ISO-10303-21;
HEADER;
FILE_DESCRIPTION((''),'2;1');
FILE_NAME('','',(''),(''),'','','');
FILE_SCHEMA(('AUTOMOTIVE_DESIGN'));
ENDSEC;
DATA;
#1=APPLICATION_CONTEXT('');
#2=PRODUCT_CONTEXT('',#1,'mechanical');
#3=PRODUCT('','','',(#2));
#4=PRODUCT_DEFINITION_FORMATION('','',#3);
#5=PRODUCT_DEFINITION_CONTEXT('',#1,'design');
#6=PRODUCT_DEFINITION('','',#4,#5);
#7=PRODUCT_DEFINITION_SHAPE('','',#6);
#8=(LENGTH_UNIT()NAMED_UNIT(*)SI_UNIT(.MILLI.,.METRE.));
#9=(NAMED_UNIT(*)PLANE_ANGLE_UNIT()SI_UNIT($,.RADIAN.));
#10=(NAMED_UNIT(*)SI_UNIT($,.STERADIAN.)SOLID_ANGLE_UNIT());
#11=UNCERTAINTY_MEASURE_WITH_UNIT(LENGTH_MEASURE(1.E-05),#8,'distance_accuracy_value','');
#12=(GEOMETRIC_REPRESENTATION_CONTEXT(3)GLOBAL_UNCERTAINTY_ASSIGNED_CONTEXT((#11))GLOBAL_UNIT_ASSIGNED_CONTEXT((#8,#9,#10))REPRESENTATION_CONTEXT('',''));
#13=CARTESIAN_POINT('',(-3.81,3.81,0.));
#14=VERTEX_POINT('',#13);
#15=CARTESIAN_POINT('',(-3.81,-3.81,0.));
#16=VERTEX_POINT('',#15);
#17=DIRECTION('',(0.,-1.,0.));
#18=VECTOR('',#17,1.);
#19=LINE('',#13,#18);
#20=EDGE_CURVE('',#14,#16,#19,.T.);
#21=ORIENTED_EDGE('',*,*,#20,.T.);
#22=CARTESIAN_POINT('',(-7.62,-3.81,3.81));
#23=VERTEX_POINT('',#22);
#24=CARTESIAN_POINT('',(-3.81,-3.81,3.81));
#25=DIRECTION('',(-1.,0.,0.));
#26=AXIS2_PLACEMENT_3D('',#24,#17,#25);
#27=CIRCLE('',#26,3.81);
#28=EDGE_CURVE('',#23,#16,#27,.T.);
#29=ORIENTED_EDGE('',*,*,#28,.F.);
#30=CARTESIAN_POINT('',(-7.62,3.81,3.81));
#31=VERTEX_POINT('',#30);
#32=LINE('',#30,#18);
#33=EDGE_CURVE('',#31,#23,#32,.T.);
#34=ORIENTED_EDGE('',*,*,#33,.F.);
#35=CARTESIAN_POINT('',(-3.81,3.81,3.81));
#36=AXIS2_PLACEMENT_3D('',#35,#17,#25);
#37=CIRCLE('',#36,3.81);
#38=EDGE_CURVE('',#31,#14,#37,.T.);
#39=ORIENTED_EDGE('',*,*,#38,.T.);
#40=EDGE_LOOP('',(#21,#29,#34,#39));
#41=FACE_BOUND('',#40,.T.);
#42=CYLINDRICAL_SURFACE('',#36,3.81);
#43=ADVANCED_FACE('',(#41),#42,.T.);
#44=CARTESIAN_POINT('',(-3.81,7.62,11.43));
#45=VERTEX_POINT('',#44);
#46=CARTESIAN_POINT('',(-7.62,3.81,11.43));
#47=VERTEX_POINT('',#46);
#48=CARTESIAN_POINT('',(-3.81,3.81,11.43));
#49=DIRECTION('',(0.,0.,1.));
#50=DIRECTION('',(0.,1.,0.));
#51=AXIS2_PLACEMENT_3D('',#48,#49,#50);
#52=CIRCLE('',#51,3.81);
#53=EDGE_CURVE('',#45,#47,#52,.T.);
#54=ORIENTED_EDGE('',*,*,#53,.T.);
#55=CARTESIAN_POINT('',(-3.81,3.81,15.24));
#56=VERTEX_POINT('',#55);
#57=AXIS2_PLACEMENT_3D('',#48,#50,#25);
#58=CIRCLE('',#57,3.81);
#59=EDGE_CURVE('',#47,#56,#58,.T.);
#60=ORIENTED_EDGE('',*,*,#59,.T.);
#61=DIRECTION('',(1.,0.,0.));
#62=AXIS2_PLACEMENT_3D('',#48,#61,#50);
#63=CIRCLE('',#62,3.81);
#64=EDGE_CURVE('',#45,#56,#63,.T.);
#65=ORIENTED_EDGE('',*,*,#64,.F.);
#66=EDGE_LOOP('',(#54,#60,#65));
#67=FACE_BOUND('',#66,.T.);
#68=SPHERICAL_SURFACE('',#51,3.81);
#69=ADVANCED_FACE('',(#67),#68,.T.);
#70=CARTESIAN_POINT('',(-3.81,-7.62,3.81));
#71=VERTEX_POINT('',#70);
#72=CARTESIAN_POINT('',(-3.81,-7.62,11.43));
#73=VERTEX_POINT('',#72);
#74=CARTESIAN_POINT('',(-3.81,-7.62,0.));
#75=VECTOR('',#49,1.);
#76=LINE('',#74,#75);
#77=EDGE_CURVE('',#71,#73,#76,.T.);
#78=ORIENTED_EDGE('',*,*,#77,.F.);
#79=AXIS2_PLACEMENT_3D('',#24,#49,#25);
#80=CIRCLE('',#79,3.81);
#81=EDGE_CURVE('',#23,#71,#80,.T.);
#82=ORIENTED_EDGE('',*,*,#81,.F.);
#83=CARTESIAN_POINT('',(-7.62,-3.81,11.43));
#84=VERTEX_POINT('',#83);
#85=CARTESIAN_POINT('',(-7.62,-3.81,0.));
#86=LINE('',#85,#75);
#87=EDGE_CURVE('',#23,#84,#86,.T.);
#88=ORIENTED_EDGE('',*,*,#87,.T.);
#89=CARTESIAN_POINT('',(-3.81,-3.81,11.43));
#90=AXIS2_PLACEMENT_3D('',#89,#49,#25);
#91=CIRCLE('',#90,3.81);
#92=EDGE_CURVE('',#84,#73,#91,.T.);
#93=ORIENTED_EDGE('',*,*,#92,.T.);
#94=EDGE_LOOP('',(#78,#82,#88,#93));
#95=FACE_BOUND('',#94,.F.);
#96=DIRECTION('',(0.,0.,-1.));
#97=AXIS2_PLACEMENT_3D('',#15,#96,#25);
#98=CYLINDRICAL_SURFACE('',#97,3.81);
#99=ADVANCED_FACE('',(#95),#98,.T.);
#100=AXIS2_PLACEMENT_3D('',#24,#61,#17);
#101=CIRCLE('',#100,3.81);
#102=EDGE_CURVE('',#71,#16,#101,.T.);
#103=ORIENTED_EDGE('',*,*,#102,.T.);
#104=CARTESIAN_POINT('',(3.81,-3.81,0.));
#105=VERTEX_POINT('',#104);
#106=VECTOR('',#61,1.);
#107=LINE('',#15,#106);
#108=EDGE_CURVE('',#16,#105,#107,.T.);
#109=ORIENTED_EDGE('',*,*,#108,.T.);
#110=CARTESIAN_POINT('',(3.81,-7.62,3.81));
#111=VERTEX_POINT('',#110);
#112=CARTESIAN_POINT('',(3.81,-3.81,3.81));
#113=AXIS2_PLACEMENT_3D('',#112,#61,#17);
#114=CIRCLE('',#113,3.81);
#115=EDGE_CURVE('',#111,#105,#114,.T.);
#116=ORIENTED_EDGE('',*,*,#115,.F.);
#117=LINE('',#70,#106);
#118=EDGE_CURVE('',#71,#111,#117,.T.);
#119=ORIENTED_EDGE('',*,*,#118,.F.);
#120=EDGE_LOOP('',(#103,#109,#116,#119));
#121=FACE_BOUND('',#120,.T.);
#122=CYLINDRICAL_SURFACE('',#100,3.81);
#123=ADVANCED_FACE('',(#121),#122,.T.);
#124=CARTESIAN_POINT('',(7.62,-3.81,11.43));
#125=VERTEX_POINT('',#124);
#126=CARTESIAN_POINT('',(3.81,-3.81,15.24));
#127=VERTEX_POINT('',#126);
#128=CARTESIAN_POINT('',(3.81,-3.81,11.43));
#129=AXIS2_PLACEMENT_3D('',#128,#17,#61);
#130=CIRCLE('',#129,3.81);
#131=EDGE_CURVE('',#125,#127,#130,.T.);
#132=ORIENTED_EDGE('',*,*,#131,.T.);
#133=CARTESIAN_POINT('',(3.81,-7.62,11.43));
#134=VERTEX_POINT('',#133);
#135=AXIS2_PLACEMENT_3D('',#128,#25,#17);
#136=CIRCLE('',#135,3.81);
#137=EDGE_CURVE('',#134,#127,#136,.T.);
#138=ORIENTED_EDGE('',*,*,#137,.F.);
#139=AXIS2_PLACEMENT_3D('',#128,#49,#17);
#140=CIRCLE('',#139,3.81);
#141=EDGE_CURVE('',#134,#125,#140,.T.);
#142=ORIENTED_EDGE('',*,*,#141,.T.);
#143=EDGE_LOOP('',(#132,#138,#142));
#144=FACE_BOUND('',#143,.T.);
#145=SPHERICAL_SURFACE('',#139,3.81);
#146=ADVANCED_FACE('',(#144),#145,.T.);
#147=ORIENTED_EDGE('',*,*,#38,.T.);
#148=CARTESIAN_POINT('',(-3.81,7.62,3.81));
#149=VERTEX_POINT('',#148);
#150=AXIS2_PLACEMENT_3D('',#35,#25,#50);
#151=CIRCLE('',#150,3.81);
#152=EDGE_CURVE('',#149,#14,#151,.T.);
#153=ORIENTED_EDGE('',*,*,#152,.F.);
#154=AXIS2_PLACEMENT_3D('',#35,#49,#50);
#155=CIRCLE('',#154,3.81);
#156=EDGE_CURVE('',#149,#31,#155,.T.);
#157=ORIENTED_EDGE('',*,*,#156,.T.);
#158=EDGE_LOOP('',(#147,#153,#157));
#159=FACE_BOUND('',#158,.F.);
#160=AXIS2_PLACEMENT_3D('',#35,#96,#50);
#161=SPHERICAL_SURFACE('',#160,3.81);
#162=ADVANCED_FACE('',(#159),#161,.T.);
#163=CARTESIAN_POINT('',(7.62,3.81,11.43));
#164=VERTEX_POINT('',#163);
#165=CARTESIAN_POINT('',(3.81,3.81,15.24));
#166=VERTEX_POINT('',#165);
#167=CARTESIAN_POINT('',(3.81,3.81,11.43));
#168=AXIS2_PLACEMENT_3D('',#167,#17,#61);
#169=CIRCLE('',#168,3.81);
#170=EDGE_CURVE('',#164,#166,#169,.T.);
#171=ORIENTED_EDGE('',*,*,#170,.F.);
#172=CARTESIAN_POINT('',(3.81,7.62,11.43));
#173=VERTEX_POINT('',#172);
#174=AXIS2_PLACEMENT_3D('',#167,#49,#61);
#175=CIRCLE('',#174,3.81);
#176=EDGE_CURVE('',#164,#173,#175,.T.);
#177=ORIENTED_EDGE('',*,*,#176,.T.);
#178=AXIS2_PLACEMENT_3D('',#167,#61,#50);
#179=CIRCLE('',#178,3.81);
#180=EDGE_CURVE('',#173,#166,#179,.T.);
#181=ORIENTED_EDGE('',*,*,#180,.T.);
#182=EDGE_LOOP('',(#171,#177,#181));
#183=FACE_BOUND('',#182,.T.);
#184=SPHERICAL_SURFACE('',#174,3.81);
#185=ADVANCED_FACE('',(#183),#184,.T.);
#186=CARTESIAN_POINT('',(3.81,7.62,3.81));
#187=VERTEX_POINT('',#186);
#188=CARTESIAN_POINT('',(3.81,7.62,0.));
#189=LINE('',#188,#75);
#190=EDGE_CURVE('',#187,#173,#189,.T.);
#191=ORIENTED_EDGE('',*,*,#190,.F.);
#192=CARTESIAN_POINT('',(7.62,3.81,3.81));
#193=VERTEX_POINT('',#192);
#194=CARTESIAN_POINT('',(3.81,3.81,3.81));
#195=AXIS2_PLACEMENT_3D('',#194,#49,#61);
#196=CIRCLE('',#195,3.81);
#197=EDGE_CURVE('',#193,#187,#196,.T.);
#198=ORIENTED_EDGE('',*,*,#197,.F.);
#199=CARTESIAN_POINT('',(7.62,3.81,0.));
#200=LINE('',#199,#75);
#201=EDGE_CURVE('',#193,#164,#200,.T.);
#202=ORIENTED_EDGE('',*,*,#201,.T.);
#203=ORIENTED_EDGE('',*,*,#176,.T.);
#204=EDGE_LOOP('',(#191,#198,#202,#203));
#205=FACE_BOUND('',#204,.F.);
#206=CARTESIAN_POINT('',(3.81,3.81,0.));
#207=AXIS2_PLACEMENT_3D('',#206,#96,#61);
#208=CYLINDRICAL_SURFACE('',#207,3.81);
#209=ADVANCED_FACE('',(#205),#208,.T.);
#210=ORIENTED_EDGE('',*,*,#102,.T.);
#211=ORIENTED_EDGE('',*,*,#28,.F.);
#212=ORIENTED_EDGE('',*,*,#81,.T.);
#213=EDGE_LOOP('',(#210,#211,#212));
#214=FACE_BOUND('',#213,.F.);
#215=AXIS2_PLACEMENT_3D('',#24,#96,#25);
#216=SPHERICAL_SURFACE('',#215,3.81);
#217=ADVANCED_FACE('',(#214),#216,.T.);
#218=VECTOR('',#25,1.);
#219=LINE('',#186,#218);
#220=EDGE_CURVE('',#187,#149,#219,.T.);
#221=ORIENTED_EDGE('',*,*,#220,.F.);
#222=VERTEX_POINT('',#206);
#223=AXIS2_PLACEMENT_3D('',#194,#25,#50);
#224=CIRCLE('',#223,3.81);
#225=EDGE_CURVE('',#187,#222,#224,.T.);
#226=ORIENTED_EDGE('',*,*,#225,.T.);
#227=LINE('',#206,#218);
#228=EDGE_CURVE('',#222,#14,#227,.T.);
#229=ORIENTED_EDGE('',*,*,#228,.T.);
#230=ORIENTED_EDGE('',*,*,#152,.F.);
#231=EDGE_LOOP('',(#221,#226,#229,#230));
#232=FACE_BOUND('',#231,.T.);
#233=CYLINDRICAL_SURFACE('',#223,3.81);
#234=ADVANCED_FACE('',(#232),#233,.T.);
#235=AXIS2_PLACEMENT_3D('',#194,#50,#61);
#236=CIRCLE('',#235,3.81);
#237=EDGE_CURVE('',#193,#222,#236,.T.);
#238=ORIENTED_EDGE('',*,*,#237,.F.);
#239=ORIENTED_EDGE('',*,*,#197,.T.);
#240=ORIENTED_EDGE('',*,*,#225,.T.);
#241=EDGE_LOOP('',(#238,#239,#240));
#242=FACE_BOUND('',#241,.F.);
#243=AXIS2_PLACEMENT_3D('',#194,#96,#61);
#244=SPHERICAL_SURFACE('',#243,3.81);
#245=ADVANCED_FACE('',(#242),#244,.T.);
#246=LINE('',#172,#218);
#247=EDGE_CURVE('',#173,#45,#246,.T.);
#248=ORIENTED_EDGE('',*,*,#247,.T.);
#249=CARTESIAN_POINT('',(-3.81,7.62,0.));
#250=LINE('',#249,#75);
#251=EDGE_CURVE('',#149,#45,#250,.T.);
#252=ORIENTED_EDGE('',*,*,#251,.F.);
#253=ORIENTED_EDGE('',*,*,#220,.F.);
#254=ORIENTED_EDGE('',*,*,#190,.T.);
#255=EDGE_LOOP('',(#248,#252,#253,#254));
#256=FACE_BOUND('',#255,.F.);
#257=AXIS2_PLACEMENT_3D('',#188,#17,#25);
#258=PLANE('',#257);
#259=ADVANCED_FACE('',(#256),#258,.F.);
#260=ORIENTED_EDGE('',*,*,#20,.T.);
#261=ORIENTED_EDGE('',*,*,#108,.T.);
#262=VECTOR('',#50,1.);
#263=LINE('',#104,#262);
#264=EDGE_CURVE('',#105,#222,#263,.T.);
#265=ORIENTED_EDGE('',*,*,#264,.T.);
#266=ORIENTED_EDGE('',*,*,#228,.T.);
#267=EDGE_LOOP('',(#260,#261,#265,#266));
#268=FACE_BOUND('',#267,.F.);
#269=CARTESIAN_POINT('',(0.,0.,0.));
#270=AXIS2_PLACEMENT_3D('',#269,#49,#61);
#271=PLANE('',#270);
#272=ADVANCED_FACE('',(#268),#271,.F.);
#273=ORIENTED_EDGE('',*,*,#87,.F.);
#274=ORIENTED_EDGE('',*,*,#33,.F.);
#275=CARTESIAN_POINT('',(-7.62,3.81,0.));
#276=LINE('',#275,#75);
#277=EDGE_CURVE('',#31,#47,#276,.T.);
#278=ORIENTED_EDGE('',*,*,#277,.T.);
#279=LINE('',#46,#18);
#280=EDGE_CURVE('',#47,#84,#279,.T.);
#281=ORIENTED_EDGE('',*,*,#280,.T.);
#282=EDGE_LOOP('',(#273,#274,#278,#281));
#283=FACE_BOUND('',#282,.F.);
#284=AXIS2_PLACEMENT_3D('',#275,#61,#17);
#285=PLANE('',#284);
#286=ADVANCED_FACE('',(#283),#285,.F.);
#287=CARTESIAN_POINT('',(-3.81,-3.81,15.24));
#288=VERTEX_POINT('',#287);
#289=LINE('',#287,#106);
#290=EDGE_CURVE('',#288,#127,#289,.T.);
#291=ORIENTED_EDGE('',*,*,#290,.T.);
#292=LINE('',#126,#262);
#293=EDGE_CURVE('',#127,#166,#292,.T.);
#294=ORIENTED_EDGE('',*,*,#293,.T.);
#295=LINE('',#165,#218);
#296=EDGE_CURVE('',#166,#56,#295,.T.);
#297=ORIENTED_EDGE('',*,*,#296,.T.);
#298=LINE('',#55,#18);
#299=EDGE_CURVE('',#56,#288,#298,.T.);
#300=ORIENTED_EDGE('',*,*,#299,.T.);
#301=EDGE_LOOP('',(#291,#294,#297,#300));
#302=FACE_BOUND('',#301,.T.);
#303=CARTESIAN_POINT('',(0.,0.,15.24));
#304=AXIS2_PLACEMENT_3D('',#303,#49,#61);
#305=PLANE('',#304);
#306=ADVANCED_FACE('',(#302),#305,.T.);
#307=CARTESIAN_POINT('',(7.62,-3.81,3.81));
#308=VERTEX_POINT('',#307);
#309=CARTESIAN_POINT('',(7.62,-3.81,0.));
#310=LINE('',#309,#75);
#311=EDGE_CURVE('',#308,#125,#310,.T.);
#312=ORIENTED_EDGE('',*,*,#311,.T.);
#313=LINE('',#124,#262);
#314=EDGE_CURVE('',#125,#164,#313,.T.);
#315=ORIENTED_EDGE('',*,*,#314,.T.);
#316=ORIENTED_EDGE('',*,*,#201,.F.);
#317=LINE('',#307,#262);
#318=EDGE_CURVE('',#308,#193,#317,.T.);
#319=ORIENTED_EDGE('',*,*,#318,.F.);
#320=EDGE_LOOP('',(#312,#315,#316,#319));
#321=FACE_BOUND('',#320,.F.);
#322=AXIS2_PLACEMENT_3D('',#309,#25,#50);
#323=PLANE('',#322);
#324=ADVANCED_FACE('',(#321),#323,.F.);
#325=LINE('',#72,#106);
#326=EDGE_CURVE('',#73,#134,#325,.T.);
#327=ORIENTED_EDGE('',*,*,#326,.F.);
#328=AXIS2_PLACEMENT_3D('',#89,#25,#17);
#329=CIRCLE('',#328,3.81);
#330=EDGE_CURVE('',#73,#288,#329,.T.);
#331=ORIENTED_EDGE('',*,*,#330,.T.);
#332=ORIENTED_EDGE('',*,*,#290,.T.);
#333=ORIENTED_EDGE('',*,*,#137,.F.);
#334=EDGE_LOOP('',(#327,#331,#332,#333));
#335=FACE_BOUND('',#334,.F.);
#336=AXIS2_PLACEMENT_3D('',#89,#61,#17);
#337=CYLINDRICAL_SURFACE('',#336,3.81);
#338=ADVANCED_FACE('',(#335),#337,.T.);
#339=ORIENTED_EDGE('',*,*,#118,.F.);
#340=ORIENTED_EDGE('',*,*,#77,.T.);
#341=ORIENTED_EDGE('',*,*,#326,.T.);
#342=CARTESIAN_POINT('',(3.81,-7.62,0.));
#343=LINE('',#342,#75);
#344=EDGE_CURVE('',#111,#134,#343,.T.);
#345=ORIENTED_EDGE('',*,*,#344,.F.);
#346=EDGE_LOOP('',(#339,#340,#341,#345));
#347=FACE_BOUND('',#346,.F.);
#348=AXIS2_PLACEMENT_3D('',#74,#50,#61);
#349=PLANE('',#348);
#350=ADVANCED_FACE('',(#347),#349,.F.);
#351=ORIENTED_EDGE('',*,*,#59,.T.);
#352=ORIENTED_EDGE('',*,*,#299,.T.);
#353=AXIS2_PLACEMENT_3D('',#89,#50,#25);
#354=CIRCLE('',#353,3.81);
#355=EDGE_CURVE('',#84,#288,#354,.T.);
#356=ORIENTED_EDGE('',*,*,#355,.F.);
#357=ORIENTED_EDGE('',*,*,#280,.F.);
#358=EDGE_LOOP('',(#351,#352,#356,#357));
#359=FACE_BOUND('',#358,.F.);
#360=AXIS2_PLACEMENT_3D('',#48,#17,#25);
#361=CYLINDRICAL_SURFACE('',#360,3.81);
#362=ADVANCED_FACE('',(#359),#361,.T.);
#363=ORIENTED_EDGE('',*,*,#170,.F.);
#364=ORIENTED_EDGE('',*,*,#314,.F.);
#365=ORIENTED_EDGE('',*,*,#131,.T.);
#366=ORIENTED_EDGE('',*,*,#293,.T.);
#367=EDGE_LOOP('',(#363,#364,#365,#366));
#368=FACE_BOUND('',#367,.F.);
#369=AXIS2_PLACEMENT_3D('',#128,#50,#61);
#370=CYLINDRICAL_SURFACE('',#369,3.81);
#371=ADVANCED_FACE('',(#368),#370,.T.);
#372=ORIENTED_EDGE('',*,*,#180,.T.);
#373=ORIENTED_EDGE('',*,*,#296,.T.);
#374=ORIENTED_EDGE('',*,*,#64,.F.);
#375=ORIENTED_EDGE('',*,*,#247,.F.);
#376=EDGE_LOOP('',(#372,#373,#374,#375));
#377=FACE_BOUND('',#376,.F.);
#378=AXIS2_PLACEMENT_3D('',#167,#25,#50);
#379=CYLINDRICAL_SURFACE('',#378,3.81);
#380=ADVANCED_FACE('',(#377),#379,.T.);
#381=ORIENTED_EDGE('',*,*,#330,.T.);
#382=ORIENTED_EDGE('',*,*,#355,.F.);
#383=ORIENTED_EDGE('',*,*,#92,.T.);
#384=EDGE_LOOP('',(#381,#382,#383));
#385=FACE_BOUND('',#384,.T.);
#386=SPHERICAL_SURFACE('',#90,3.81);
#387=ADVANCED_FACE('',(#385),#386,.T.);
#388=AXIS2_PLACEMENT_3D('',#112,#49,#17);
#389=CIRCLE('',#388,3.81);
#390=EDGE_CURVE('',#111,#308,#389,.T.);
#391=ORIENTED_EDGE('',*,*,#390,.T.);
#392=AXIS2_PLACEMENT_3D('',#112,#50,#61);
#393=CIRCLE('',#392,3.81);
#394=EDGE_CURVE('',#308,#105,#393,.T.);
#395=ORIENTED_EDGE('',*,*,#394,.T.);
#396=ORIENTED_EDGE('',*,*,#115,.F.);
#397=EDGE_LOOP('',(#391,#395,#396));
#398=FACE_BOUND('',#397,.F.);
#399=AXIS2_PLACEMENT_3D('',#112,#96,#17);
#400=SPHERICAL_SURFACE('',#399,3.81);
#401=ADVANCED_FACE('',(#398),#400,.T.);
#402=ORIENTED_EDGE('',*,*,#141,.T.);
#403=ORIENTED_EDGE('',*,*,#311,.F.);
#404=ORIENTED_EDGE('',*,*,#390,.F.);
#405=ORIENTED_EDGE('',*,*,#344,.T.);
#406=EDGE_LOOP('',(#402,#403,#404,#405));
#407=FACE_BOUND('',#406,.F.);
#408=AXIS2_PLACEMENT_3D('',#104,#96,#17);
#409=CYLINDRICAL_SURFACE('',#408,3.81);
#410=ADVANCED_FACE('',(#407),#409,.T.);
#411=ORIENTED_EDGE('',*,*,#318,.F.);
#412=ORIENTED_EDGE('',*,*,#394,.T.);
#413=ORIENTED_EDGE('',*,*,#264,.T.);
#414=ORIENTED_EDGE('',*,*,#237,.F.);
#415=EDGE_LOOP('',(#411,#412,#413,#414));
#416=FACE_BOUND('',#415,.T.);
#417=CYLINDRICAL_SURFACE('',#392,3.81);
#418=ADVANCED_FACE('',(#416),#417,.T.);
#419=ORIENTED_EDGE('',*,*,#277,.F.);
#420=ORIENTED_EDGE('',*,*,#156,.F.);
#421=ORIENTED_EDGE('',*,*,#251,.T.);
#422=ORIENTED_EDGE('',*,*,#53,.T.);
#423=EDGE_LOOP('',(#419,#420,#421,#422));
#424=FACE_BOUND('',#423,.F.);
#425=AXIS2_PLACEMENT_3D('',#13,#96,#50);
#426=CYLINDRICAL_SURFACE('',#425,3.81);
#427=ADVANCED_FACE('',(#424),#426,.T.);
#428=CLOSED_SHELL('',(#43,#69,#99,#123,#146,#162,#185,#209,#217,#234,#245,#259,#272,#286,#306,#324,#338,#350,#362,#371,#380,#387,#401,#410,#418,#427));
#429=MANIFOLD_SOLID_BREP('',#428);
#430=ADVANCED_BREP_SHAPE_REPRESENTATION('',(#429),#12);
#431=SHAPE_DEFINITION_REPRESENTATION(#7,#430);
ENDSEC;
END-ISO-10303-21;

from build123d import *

# Parameters (mm, degrees)
F1_DEPTH = 15.24
F2_R     = 3.81


with BuildPart() as f1:
    # F0 (on Top) → F1 (new body)
    with BuildSketch(Plane.XY):
        with BuildLine():
            Line((-3.81, -7.62), (3.81, -7.62))
            ThreePointArc((3.81, -7.62), (6.5040768363, -6.5040768363), (7.62, -3.81))
            Line((7.62, -3.81), (7.62, 3.81))
            ThreePointArc((7.62, 3.81), (6.5040768363, 6.5040768363), (3.81, 7.62))
            Line((3.81, 7.62), (-3.81, 7.62))
            ThreePointArc((-3.81, 7.62), (-6.5040768363, 6.5040768363), (-7.62, 3.81))
            Line((-7.62, 3.81), (-7.62, -3.81))
            ThreePointArc((-7.62, -3.81), (-6.5040768363, -6.5040768363), (-3.81, -7.62))
        make_face()
    extrude(amount=F1_DEPTH)

    # F2
    f2_edges = [f1.edges().sort_by_distance(p)[0] for p in [
        (-7.62, 0, 15.24),
        (-6.504077, -6.504077, 15.24),
        (0, -7.62, 15.24),
        (6.504077, -6.504077, 15.24),
        (7.62, 0, 15.24),
        (6.504077, 6.504077, 15.24),
        (0, 7.62, 15.24),
        (-6.504077, 6.504077, 15.24),
        (-7.62, 0, 0),
        (-6.504077, -6.504077, 0),
        (0, -7.62, 0),
        (6.504077, -6.504077, 0),
        (7.62, 0, 0),
        (6.504077, 6.504077, 0),
        (0, 7.62, 0),
        (-6.504077, 6.504077, 0),
    ]]
    fillet(f2_edges, radius=F2_R)


solid = f1.part
